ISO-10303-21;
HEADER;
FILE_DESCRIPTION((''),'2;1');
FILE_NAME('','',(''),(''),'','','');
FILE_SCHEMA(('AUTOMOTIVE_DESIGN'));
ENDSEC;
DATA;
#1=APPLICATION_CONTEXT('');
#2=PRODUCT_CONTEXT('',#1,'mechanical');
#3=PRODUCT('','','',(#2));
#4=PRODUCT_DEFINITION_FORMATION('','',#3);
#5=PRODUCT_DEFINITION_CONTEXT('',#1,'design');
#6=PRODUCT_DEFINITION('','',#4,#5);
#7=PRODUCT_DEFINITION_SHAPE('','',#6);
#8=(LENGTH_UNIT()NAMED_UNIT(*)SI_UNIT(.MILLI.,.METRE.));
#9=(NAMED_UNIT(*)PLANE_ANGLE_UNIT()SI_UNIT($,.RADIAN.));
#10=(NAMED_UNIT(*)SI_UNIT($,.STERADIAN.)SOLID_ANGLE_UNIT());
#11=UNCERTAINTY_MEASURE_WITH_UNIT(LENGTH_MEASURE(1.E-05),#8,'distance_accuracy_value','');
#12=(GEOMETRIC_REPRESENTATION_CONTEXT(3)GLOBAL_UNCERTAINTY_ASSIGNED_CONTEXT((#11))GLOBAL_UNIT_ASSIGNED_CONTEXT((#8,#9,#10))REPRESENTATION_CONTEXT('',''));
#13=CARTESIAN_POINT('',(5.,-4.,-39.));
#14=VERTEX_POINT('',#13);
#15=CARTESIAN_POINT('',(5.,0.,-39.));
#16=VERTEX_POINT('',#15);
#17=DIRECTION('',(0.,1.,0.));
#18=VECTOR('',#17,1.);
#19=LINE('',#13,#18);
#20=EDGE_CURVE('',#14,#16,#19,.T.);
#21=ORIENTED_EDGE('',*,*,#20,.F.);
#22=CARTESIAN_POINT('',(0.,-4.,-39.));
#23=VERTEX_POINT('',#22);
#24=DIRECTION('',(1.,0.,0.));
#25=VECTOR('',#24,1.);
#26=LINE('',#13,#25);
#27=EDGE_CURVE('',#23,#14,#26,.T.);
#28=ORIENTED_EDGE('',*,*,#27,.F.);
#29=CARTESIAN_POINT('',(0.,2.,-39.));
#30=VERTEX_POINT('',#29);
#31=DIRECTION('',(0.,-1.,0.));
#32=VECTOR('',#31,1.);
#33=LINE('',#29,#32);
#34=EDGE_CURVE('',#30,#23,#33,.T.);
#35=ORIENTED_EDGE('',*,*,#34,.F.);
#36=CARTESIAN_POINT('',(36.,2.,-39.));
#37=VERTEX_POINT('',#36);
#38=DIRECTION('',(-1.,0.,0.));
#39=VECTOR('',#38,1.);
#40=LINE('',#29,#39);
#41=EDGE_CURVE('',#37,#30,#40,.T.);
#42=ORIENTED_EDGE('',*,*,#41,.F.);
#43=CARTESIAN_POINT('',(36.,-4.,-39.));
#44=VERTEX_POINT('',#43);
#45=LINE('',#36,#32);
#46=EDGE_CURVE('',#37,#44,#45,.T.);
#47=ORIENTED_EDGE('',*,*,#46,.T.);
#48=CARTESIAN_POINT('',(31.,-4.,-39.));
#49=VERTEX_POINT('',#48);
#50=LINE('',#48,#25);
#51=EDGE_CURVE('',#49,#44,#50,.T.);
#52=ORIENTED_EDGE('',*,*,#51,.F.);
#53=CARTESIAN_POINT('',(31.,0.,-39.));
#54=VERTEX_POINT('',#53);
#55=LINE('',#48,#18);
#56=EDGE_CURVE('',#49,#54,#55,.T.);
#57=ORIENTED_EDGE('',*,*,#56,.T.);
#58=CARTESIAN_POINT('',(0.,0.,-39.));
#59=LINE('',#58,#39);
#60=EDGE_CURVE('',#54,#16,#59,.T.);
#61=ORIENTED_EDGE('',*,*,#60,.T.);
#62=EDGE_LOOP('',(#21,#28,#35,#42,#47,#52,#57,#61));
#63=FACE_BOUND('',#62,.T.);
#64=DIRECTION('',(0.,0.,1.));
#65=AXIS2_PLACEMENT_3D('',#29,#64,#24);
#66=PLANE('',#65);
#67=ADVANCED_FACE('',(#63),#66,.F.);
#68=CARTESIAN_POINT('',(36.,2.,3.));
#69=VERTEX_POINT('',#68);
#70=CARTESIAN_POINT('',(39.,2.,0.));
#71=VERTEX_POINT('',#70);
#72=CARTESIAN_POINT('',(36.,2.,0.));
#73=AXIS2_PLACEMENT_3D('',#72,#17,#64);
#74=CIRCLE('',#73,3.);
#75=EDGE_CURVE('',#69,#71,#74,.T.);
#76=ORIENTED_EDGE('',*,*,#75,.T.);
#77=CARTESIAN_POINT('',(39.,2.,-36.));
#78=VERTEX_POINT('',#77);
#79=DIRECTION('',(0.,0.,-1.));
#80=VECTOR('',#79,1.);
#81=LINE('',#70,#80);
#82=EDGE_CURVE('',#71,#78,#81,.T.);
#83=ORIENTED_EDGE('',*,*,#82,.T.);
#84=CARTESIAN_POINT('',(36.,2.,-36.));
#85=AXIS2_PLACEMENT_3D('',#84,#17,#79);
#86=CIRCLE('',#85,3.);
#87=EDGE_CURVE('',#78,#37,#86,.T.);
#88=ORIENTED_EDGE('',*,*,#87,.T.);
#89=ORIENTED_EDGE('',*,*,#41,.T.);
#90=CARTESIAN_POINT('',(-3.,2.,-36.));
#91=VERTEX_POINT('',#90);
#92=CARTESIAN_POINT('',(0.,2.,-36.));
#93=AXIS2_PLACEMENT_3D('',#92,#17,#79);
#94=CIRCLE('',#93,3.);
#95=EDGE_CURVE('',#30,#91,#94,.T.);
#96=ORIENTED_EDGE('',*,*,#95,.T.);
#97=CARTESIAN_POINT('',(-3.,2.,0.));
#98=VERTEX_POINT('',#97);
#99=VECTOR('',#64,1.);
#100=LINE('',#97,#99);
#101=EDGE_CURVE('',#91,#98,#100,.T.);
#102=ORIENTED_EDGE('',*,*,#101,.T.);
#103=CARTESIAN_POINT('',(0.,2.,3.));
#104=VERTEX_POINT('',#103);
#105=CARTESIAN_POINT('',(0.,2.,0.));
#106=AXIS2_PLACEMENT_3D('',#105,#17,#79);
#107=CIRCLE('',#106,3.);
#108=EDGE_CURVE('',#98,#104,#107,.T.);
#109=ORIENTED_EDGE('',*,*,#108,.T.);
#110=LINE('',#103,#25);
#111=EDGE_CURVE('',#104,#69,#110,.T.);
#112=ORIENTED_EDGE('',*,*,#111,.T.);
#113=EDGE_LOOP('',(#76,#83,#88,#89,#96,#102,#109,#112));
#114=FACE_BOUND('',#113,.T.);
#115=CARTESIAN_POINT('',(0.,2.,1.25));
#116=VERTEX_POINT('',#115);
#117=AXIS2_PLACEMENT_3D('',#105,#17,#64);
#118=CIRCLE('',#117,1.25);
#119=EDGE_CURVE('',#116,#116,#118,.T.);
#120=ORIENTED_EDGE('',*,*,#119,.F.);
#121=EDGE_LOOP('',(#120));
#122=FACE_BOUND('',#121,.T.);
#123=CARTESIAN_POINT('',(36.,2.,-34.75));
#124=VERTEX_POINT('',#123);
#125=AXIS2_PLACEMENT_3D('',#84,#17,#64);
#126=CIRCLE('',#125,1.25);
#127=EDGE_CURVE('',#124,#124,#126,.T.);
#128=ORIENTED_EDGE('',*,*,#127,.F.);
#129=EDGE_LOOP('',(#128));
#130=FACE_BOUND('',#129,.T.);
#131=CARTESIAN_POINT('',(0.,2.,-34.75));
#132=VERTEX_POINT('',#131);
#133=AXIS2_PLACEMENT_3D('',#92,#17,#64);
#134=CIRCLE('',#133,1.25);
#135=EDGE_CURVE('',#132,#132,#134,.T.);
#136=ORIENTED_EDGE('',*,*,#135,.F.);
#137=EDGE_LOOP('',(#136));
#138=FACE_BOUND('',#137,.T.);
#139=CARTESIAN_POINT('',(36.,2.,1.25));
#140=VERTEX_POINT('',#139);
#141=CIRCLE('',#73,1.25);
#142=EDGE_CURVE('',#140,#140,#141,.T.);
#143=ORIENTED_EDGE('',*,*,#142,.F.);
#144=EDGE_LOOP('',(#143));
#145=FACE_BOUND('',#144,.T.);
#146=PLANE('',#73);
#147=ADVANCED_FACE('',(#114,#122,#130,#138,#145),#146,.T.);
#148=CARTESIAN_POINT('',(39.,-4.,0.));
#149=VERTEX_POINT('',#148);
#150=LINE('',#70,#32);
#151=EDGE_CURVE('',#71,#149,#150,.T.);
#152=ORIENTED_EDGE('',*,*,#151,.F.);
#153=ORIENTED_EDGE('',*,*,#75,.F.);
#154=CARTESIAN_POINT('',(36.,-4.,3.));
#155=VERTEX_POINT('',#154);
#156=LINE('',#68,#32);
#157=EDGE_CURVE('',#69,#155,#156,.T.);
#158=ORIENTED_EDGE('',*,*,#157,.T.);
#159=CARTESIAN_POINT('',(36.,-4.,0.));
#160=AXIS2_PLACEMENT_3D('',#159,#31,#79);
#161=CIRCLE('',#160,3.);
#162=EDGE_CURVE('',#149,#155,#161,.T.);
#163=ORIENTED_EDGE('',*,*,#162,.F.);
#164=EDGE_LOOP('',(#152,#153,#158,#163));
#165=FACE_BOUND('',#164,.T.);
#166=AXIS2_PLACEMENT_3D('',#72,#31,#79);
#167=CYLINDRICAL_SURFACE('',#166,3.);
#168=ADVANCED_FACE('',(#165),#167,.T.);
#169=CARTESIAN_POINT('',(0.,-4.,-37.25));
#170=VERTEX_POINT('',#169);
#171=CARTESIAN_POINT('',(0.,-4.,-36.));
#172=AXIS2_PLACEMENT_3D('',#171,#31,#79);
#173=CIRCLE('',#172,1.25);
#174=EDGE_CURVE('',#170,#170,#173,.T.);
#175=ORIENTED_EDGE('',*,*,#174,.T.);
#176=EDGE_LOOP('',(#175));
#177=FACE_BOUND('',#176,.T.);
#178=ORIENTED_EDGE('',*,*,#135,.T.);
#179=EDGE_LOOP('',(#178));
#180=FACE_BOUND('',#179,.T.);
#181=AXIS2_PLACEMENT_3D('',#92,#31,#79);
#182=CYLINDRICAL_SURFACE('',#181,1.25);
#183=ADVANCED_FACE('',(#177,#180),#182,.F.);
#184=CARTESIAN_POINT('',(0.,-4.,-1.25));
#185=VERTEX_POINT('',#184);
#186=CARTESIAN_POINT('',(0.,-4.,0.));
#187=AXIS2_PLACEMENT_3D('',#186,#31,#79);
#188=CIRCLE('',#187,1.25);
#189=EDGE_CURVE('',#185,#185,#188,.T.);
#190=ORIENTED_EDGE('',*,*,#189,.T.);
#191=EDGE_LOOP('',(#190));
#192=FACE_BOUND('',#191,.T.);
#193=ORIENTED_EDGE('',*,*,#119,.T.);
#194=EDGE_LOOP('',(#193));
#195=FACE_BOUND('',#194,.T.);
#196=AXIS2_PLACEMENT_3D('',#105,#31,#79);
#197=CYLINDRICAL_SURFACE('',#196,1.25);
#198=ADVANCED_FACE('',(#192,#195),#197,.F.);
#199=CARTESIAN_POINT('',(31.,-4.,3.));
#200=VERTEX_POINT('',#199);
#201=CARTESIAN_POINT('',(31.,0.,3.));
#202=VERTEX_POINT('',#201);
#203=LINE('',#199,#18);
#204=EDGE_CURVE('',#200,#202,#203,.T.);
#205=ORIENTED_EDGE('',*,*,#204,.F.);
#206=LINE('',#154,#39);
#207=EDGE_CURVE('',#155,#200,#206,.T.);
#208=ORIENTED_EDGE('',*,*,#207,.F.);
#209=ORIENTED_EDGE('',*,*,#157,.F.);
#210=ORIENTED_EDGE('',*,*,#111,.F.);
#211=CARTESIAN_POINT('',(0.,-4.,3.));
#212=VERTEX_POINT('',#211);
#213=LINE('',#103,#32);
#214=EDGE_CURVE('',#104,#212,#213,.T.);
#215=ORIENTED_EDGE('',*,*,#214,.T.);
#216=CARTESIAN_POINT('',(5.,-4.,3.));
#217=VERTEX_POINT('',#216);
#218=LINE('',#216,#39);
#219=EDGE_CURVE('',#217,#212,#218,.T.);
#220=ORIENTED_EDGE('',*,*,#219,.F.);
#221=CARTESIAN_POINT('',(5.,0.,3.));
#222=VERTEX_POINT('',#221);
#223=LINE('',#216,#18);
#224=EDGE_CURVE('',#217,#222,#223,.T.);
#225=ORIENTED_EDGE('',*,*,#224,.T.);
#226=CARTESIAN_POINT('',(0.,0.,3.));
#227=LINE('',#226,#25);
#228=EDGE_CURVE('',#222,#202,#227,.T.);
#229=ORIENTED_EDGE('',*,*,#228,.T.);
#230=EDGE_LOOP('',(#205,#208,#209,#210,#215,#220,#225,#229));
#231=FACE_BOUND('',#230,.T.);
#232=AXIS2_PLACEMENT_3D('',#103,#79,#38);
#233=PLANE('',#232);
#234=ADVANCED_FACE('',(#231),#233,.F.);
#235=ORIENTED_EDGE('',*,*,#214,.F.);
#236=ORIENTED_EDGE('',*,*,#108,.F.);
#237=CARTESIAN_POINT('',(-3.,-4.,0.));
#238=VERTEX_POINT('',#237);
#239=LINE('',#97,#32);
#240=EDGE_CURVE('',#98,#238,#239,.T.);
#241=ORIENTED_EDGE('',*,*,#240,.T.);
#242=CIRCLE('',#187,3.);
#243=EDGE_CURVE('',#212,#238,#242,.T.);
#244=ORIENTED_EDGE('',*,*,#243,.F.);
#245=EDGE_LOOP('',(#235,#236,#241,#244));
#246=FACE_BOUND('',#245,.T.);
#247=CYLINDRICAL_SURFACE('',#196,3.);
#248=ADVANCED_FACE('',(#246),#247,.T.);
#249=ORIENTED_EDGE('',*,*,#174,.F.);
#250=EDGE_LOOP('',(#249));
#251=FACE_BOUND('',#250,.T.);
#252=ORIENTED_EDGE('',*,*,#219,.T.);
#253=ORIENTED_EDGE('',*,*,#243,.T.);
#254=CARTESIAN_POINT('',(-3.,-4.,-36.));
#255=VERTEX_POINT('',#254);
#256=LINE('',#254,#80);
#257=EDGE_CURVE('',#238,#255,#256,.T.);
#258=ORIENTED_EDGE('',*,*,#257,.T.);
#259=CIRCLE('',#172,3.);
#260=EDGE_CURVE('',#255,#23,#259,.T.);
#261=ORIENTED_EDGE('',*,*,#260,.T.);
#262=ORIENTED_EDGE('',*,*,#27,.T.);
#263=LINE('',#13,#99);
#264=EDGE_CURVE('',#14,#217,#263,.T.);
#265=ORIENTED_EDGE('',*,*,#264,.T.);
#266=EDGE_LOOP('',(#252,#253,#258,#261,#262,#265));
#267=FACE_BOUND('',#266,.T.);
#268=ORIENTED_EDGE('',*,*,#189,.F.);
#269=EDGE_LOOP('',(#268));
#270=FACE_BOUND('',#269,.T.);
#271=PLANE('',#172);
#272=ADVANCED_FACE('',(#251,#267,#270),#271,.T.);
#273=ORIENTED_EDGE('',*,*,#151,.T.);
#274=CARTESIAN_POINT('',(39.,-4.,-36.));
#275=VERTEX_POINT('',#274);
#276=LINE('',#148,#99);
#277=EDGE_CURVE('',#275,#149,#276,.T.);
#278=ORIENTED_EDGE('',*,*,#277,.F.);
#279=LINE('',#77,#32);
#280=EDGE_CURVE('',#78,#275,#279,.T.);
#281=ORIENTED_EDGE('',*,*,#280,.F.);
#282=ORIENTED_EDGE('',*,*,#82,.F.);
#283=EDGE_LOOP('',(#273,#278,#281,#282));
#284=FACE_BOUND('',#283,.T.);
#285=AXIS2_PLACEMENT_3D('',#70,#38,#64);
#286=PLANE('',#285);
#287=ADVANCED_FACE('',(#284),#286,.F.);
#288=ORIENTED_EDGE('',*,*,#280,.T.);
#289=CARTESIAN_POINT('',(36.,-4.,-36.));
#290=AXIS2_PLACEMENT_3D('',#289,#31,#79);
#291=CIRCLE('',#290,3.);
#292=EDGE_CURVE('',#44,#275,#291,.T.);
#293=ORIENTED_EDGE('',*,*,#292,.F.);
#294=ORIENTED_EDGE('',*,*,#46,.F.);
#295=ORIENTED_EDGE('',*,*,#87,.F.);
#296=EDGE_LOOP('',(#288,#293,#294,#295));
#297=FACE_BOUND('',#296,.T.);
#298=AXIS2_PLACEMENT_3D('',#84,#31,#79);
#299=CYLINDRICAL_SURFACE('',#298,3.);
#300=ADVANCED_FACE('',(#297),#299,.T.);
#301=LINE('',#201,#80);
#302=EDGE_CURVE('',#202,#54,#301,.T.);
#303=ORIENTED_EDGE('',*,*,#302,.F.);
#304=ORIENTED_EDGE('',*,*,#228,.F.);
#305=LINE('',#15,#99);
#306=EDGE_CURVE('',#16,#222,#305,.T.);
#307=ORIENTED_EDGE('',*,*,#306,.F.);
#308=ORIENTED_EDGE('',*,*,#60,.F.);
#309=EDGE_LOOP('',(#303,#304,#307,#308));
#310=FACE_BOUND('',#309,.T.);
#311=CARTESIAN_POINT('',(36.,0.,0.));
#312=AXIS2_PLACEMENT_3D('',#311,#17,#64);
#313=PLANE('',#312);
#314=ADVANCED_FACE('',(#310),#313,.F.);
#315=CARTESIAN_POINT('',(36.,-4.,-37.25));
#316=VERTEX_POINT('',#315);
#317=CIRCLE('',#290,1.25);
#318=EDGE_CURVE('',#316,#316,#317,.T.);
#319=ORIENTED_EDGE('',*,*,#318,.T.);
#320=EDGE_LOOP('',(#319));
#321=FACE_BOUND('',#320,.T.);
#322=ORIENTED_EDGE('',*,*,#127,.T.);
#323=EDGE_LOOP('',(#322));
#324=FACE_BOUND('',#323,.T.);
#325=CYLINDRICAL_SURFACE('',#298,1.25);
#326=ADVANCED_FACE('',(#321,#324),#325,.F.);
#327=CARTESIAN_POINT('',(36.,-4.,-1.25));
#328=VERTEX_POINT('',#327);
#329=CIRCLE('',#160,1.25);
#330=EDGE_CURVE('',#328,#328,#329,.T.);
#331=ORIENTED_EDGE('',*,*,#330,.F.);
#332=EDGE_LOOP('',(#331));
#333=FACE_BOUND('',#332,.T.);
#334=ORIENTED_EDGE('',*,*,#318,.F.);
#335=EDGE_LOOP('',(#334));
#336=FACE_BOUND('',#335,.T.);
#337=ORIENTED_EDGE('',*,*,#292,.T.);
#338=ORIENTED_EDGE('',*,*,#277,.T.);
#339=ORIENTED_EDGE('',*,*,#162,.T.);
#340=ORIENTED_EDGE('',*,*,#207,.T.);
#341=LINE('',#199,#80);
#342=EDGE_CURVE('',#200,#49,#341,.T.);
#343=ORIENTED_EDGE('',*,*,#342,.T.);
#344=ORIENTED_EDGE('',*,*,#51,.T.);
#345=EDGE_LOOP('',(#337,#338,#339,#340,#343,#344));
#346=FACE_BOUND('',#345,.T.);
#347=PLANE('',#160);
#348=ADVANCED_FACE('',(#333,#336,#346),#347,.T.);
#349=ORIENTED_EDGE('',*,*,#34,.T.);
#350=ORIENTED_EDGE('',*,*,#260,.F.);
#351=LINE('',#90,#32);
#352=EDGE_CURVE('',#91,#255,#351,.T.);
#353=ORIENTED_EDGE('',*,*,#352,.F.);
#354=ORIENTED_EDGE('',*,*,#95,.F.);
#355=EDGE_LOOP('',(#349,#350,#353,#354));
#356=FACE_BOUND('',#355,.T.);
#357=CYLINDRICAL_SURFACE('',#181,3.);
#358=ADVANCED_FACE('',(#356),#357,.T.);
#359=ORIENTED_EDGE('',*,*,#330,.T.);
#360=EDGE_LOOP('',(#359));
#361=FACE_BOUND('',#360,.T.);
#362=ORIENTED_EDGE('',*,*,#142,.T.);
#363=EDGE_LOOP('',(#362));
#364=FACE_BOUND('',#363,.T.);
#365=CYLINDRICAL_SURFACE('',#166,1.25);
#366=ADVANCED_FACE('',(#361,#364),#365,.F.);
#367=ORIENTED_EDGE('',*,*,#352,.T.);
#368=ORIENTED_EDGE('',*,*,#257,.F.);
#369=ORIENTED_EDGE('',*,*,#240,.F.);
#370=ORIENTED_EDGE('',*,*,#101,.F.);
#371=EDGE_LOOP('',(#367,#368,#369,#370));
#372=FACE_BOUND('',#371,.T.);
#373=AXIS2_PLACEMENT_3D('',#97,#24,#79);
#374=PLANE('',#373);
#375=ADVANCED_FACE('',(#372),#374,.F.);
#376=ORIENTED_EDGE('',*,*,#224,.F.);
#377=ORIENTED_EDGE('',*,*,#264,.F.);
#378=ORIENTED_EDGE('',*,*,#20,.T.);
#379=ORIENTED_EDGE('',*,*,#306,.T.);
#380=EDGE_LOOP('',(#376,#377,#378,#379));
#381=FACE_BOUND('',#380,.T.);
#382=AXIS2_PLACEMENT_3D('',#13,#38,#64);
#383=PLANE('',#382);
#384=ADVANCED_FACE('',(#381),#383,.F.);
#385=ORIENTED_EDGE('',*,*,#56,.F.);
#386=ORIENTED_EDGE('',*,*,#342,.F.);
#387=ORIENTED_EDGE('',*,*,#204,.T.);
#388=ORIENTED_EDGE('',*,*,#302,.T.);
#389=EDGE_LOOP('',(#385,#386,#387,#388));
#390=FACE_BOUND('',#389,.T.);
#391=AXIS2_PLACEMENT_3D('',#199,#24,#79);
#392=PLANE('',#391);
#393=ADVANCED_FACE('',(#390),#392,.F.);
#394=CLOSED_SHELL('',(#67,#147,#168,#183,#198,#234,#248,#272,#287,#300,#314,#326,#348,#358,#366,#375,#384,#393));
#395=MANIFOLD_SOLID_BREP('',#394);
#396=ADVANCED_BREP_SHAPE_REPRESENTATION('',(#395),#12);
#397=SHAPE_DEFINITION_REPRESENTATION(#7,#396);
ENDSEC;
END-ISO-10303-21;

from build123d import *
from build123d.topology import SkipClean

# Parameters (mm, degrees)
SKETCH_1_R      = 1.25
EXTRUDE_1_DEPTH = 2
EXTRUDE_START   = 4
SKETCH_2_R      = 1.25
EXTRUDE_2_DEPTH = 4


with BuildPart() as part:
    # 草图1 → 凸台-拉伸1 (new body)
    with BuildSketch(Plane(origin=(0, 0, 0), x_dir=(1, 0, 0), z_dir=(0, 1, 0))):
        with BuildLine():
            Line((0, -3), (36, -3))
            ThreePointArc((36, -3), (38.121320344, -2.121320344), (39, 0))
            Line((39, 0), (39, 36))
            ThreePointArc((39, 36), (38.121320344, 38.121320344), (36, 39))
            Line((36, 39), (0, 39))
            ThreePointArc((0, 39), (-2.121320344, 38.121320344), (-3, 36))
            Line((-3, 36), (-3, 0))
            ThreePointArc((-3, 0), (-2.121320344, -2.121320344), (0, -3))
        make_face()
        with Locations(Location((0, 36, 0), (0, 0, 270))):
            Circle(SKETCH_1_R, mode=Mode.SUBTRACT)
        with Locations(Location((36, 36, 0), (0, 0, 270))):
            Circle(SKETCH_1_R, mode=Mode.SUBTRACT)
        with Locations(Location((0, 0, 0), (0, 0, 270))):
            Circle(SKETCH_1_R, mode=Mode.SUBTRACT)
        with Locations(Location((36, 0, 0), (0, 0, 270))):
            Circle(SKETCH_1_R, mode=Mode.SUBTRACT)
    extrude(amount=EXTRUDE_1_DEPTH)

    # 草图2 → 凸台-拉伸2 (add)
    # profile 1 of 2: a face of its own
    with SkipClean():  # the faces are left unmerged after this step: merging them gives an invalid solid
        with BuildSketch(Plane.XZ.offset(EXTRUDE_START)):
            with BuildLine():
                Line((39, 0), (39, -36))
                ThreePointArc((39, -36), (38.121320344, -38.121320344), (36, -39))
                Line((36, -39), (31, -39))
                Line((31, -39), (31, 3))
                Line((31, 3), (36, 3))
                ThreePointArc((36, 3), (38.121320344, 2.121320344), (39, 0))
            make_face()
            with Locations(Location((36, -36, 0), (0, 0, 270))):
                Circle(SKETCH_2_R, mode=Mode.SUBTRACT)
            with Locations(Location((36, 0, 0), (0, 0, 270))):
                Circle(SKETCH_2_R, mode=Mode.SUBTRACT)
        # profile 2 of 2: a face of its own
        with BuildSketch(Plane.XZ.offset(EXTRUDE_START)):
            with BuildLine():
                Line((-3, -36), (-3, 0))
                ThreePointArc((-3, 0), (-2.121320344, 2.121320344), (0, 3))
                Line((0, 3), (5, 3))
                Line((5, 3), (5, -39))
                Line((5, -39), (0, -39))
                ThreePointArc((0, -39), (-2.121320344, -38.121320344), (-3, -36))
            make_face()
            with Locations(Location((0, -36, 0), (0, 0, 270))):
                Circle(SKETCH_2_R, mode=Mode.SUBTRACT)
            with Locations(Location((0, 0, 0), (0, 0, 270))):
                Circle(SKETCH_2_R, mode=Mode.SUBTRACT)
        extrude(amount=-EXTRUDE_2_DEPTH)


solid = part.part
